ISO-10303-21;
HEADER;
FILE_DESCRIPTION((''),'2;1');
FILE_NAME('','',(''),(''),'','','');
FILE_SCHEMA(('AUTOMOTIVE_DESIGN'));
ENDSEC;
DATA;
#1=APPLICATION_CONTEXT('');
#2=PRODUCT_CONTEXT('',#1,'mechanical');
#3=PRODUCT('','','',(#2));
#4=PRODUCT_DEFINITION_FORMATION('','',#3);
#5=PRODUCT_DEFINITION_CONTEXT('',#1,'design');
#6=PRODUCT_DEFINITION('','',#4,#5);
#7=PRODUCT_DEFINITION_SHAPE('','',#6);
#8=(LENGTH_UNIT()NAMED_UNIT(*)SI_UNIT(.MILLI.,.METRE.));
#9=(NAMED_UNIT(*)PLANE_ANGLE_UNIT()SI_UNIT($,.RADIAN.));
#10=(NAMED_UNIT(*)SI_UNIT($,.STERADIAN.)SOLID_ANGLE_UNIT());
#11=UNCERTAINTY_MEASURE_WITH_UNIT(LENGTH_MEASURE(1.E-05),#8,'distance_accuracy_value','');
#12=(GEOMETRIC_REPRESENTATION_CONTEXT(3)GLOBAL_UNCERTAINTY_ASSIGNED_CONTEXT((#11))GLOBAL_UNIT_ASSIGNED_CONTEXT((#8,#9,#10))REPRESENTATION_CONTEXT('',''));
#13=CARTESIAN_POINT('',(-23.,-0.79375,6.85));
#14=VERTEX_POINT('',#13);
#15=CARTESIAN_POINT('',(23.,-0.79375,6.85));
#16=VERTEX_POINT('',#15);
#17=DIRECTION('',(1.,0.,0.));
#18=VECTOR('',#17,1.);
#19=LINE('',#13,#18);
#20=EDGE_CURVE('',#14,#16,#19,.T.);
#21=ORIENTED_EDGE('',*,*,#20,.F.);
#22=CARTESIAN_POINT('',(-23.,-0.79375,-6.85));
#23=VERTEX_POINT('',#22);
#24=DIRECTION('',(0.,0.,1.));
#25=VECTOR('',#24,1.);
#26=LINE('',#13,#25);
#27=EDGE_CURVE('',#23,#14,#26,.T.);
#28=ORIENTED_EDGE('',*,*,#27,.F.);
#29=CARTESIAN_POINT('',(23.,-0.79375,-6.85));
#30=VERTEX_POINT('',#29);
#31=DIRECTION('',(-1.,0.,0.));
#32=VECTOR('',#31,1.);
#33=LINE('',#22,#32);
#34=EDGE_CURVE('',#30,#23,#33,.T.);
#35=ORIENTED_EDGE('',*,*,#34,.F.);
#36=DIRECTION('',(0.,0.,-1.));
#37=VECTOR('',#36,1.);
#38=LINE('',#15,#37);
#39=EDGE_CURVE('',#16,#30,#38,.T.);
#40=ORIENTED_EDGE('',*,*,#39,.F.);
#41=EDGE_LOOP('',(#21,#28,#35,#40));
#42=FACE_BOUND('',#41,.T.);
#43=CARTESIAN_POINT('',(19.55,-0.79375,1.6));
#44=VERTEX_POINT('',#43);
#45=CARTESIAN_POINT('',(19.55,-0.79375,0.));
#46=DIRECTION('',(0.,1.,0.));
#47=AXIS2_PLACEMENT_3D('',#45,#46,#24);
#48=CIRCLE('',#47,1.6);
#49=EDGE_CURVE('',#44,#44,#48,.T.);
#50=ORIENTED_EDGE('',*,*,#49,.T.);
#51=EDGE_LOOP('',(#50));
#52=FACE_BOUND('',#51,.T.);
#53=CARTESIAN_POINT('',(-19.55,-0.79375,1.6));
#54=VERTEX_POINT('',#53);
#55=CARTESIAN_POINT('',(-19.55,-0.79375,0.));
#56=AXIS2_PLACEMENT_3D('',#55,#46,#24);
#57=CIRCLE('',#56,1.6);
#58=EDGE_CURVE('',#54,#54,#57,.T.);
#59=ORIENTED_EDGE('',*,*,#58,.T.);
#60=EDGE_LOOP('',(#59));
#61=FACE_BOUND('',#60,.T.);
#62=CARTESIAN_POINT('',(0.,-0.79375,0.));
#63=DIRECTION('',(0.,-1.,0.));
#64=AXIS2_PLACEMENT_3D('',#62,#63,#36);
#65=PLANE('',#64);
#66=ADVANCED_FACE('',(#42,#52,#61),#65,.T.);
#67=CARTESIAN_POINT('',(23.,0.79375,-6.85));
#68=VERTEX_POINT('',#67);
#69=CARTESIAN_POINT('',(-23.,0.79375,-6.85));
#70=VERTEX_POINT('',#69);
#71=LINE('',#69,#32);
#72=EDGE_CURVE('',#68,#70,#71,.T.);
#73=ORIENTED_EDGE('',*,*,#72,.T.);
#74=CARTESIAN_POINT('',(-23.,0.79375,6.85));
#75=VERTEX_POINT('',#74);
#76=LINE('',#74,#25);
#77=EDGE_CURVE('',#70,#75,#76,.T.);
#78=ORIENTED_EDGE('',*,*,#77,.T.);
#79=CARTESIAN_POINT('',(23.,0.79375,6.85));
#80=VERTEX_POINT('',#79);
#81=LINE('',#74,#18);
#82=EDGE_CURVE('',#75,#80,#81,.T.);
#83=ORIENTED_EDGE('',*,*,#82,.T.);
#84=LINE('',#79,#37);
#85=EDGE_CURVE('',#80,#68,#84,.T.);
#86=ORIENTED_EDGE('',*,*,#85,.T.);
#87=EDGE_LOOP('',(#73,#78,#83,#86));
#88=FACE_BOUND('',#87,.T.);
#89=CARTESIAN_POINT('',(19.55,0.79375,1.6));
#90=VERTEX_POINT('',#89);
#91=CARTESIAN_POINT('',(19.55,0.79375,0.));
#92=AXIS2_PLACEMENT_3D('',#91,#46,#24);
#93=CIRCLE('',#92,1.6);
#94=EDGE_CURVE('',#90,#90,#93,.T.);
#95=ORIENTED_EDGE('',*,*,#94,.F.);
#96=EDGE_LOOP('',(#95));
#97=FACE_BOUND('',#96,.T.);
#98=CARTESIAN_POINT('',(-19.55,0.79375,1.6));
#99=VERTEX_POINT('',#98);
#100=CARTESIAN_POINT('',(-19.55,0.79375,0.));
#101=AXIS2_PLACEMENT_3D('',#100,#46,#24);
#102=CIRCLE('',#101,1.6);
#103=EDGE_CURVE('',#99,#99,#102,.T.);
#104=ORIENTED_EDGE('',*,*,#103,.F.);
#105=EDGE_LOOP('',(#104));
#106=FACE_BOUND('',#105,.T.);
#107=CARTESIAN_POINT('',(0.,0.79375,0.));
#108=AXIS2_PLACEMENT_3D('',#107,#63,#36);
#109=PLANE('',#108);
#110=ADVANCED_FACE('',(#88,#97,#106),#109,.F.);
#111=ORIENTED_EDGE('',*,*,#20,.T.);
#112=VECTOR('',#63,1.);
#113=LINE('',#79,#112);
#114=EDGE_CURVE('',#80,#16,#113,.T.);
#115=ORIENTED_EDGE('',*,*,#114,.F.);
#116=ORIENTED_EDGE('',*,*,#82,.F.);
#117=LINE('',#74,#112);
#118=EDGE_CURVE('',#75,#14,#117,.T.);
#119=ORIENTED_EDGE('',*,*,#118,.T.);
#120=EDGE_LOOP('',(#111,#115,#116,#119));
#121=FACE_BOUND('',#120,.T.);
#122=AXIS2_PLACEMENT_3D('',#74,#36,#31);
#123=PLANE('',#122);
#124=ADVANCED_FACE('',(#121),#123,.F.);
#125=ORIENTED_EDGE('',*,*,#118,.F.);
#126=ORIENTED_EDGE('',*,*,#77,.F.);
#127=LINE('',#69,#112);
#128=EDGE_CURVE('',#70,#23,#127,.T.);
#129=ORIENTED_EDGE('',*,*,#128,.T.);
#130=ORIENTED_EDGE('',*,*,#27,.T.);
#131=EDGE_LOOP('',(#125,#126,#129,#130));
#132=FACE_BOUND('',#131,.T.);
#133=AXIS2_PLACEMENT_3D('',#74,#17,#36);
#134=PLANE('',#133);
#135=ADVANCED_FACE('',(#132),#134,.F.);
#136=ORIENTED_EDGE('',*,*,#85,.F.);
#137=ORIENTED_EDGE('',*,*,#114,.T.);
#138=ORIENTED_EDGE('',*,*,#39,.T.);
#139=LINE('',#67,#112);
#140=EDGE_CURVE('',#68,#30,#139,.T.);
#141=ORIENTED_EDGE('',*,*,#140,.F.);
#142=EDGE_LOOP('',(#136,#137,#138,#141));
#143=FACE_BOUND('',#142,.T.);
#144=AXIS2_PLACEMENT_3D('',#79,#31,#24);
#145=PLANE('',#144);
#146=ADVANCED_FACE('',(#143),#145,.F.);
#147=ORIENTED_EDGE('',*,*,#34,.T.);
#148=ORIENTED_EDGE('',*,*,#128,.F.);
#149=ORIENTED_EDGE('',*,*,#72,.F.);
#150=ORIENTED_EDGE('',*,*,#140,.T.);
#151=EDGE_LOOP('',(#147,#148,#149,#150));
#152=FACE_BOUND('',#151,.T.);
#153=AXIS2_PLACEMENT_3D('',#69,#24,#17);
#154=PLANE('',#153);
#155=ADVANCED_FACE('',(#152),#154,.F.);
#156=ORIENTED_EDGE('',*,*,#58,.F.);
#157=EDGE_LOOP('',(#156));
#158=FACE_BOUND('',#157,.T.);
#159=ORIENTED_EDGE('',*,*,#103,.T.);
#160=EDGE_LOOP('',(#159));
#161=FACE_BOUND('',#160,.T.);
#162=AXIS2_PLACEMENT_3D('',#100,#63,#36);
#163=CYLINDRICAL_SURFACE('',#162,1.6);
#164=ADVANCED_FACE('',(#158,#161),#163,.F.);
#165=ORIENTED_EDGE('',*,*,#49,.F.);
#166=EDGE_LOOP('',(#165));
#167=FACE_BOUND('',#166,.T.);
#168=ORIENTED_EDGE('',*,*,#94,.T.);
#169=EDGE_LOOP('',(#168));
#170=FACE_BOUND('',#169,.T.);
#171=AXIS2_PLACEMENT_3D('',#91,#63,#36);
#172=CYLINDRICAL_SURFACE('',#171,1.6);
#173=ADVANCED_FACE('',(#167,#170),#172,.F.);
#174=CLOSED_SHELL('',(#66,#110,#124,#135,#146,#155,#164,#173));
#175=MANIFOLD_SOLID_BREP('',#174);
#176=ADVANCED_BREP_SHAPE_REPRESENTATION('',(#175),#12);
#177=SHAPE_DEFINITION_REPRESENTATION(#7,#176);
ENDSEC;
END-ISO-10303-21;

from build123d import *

# Parameters (mm, degrees)
SKETCH1_W           = 45.999999948
SKETCH1_H           = 13.700000032
SKETCH1_R           = 1.599999975
BOSS_EXTRUDE1_DEPTH = 0.79375


with BuildPart() as part:
    # Sketch1 → Boss-Extrude1 (new body, symmetric)
    with BuildSketch(Plane(origin=(0, 0, 0), x_dir=(1, 0, 0), z_dir=(0, 1, 0))):
        Rectangle(SKETCH1_W, SKETCH1_H)
        with Locations((-19.550000016, 0)):
            Circle(SKETCH1_R, mode=Mode.SUBTRACT)
        with Locations((19.550000016, 0)):
            Circle(SKETCH1_R, mode=Mode.SUBTRACT)
    extrude(amount=BOSS_EXTRUDE1_DEPTH, both=True)


solid = part.part
